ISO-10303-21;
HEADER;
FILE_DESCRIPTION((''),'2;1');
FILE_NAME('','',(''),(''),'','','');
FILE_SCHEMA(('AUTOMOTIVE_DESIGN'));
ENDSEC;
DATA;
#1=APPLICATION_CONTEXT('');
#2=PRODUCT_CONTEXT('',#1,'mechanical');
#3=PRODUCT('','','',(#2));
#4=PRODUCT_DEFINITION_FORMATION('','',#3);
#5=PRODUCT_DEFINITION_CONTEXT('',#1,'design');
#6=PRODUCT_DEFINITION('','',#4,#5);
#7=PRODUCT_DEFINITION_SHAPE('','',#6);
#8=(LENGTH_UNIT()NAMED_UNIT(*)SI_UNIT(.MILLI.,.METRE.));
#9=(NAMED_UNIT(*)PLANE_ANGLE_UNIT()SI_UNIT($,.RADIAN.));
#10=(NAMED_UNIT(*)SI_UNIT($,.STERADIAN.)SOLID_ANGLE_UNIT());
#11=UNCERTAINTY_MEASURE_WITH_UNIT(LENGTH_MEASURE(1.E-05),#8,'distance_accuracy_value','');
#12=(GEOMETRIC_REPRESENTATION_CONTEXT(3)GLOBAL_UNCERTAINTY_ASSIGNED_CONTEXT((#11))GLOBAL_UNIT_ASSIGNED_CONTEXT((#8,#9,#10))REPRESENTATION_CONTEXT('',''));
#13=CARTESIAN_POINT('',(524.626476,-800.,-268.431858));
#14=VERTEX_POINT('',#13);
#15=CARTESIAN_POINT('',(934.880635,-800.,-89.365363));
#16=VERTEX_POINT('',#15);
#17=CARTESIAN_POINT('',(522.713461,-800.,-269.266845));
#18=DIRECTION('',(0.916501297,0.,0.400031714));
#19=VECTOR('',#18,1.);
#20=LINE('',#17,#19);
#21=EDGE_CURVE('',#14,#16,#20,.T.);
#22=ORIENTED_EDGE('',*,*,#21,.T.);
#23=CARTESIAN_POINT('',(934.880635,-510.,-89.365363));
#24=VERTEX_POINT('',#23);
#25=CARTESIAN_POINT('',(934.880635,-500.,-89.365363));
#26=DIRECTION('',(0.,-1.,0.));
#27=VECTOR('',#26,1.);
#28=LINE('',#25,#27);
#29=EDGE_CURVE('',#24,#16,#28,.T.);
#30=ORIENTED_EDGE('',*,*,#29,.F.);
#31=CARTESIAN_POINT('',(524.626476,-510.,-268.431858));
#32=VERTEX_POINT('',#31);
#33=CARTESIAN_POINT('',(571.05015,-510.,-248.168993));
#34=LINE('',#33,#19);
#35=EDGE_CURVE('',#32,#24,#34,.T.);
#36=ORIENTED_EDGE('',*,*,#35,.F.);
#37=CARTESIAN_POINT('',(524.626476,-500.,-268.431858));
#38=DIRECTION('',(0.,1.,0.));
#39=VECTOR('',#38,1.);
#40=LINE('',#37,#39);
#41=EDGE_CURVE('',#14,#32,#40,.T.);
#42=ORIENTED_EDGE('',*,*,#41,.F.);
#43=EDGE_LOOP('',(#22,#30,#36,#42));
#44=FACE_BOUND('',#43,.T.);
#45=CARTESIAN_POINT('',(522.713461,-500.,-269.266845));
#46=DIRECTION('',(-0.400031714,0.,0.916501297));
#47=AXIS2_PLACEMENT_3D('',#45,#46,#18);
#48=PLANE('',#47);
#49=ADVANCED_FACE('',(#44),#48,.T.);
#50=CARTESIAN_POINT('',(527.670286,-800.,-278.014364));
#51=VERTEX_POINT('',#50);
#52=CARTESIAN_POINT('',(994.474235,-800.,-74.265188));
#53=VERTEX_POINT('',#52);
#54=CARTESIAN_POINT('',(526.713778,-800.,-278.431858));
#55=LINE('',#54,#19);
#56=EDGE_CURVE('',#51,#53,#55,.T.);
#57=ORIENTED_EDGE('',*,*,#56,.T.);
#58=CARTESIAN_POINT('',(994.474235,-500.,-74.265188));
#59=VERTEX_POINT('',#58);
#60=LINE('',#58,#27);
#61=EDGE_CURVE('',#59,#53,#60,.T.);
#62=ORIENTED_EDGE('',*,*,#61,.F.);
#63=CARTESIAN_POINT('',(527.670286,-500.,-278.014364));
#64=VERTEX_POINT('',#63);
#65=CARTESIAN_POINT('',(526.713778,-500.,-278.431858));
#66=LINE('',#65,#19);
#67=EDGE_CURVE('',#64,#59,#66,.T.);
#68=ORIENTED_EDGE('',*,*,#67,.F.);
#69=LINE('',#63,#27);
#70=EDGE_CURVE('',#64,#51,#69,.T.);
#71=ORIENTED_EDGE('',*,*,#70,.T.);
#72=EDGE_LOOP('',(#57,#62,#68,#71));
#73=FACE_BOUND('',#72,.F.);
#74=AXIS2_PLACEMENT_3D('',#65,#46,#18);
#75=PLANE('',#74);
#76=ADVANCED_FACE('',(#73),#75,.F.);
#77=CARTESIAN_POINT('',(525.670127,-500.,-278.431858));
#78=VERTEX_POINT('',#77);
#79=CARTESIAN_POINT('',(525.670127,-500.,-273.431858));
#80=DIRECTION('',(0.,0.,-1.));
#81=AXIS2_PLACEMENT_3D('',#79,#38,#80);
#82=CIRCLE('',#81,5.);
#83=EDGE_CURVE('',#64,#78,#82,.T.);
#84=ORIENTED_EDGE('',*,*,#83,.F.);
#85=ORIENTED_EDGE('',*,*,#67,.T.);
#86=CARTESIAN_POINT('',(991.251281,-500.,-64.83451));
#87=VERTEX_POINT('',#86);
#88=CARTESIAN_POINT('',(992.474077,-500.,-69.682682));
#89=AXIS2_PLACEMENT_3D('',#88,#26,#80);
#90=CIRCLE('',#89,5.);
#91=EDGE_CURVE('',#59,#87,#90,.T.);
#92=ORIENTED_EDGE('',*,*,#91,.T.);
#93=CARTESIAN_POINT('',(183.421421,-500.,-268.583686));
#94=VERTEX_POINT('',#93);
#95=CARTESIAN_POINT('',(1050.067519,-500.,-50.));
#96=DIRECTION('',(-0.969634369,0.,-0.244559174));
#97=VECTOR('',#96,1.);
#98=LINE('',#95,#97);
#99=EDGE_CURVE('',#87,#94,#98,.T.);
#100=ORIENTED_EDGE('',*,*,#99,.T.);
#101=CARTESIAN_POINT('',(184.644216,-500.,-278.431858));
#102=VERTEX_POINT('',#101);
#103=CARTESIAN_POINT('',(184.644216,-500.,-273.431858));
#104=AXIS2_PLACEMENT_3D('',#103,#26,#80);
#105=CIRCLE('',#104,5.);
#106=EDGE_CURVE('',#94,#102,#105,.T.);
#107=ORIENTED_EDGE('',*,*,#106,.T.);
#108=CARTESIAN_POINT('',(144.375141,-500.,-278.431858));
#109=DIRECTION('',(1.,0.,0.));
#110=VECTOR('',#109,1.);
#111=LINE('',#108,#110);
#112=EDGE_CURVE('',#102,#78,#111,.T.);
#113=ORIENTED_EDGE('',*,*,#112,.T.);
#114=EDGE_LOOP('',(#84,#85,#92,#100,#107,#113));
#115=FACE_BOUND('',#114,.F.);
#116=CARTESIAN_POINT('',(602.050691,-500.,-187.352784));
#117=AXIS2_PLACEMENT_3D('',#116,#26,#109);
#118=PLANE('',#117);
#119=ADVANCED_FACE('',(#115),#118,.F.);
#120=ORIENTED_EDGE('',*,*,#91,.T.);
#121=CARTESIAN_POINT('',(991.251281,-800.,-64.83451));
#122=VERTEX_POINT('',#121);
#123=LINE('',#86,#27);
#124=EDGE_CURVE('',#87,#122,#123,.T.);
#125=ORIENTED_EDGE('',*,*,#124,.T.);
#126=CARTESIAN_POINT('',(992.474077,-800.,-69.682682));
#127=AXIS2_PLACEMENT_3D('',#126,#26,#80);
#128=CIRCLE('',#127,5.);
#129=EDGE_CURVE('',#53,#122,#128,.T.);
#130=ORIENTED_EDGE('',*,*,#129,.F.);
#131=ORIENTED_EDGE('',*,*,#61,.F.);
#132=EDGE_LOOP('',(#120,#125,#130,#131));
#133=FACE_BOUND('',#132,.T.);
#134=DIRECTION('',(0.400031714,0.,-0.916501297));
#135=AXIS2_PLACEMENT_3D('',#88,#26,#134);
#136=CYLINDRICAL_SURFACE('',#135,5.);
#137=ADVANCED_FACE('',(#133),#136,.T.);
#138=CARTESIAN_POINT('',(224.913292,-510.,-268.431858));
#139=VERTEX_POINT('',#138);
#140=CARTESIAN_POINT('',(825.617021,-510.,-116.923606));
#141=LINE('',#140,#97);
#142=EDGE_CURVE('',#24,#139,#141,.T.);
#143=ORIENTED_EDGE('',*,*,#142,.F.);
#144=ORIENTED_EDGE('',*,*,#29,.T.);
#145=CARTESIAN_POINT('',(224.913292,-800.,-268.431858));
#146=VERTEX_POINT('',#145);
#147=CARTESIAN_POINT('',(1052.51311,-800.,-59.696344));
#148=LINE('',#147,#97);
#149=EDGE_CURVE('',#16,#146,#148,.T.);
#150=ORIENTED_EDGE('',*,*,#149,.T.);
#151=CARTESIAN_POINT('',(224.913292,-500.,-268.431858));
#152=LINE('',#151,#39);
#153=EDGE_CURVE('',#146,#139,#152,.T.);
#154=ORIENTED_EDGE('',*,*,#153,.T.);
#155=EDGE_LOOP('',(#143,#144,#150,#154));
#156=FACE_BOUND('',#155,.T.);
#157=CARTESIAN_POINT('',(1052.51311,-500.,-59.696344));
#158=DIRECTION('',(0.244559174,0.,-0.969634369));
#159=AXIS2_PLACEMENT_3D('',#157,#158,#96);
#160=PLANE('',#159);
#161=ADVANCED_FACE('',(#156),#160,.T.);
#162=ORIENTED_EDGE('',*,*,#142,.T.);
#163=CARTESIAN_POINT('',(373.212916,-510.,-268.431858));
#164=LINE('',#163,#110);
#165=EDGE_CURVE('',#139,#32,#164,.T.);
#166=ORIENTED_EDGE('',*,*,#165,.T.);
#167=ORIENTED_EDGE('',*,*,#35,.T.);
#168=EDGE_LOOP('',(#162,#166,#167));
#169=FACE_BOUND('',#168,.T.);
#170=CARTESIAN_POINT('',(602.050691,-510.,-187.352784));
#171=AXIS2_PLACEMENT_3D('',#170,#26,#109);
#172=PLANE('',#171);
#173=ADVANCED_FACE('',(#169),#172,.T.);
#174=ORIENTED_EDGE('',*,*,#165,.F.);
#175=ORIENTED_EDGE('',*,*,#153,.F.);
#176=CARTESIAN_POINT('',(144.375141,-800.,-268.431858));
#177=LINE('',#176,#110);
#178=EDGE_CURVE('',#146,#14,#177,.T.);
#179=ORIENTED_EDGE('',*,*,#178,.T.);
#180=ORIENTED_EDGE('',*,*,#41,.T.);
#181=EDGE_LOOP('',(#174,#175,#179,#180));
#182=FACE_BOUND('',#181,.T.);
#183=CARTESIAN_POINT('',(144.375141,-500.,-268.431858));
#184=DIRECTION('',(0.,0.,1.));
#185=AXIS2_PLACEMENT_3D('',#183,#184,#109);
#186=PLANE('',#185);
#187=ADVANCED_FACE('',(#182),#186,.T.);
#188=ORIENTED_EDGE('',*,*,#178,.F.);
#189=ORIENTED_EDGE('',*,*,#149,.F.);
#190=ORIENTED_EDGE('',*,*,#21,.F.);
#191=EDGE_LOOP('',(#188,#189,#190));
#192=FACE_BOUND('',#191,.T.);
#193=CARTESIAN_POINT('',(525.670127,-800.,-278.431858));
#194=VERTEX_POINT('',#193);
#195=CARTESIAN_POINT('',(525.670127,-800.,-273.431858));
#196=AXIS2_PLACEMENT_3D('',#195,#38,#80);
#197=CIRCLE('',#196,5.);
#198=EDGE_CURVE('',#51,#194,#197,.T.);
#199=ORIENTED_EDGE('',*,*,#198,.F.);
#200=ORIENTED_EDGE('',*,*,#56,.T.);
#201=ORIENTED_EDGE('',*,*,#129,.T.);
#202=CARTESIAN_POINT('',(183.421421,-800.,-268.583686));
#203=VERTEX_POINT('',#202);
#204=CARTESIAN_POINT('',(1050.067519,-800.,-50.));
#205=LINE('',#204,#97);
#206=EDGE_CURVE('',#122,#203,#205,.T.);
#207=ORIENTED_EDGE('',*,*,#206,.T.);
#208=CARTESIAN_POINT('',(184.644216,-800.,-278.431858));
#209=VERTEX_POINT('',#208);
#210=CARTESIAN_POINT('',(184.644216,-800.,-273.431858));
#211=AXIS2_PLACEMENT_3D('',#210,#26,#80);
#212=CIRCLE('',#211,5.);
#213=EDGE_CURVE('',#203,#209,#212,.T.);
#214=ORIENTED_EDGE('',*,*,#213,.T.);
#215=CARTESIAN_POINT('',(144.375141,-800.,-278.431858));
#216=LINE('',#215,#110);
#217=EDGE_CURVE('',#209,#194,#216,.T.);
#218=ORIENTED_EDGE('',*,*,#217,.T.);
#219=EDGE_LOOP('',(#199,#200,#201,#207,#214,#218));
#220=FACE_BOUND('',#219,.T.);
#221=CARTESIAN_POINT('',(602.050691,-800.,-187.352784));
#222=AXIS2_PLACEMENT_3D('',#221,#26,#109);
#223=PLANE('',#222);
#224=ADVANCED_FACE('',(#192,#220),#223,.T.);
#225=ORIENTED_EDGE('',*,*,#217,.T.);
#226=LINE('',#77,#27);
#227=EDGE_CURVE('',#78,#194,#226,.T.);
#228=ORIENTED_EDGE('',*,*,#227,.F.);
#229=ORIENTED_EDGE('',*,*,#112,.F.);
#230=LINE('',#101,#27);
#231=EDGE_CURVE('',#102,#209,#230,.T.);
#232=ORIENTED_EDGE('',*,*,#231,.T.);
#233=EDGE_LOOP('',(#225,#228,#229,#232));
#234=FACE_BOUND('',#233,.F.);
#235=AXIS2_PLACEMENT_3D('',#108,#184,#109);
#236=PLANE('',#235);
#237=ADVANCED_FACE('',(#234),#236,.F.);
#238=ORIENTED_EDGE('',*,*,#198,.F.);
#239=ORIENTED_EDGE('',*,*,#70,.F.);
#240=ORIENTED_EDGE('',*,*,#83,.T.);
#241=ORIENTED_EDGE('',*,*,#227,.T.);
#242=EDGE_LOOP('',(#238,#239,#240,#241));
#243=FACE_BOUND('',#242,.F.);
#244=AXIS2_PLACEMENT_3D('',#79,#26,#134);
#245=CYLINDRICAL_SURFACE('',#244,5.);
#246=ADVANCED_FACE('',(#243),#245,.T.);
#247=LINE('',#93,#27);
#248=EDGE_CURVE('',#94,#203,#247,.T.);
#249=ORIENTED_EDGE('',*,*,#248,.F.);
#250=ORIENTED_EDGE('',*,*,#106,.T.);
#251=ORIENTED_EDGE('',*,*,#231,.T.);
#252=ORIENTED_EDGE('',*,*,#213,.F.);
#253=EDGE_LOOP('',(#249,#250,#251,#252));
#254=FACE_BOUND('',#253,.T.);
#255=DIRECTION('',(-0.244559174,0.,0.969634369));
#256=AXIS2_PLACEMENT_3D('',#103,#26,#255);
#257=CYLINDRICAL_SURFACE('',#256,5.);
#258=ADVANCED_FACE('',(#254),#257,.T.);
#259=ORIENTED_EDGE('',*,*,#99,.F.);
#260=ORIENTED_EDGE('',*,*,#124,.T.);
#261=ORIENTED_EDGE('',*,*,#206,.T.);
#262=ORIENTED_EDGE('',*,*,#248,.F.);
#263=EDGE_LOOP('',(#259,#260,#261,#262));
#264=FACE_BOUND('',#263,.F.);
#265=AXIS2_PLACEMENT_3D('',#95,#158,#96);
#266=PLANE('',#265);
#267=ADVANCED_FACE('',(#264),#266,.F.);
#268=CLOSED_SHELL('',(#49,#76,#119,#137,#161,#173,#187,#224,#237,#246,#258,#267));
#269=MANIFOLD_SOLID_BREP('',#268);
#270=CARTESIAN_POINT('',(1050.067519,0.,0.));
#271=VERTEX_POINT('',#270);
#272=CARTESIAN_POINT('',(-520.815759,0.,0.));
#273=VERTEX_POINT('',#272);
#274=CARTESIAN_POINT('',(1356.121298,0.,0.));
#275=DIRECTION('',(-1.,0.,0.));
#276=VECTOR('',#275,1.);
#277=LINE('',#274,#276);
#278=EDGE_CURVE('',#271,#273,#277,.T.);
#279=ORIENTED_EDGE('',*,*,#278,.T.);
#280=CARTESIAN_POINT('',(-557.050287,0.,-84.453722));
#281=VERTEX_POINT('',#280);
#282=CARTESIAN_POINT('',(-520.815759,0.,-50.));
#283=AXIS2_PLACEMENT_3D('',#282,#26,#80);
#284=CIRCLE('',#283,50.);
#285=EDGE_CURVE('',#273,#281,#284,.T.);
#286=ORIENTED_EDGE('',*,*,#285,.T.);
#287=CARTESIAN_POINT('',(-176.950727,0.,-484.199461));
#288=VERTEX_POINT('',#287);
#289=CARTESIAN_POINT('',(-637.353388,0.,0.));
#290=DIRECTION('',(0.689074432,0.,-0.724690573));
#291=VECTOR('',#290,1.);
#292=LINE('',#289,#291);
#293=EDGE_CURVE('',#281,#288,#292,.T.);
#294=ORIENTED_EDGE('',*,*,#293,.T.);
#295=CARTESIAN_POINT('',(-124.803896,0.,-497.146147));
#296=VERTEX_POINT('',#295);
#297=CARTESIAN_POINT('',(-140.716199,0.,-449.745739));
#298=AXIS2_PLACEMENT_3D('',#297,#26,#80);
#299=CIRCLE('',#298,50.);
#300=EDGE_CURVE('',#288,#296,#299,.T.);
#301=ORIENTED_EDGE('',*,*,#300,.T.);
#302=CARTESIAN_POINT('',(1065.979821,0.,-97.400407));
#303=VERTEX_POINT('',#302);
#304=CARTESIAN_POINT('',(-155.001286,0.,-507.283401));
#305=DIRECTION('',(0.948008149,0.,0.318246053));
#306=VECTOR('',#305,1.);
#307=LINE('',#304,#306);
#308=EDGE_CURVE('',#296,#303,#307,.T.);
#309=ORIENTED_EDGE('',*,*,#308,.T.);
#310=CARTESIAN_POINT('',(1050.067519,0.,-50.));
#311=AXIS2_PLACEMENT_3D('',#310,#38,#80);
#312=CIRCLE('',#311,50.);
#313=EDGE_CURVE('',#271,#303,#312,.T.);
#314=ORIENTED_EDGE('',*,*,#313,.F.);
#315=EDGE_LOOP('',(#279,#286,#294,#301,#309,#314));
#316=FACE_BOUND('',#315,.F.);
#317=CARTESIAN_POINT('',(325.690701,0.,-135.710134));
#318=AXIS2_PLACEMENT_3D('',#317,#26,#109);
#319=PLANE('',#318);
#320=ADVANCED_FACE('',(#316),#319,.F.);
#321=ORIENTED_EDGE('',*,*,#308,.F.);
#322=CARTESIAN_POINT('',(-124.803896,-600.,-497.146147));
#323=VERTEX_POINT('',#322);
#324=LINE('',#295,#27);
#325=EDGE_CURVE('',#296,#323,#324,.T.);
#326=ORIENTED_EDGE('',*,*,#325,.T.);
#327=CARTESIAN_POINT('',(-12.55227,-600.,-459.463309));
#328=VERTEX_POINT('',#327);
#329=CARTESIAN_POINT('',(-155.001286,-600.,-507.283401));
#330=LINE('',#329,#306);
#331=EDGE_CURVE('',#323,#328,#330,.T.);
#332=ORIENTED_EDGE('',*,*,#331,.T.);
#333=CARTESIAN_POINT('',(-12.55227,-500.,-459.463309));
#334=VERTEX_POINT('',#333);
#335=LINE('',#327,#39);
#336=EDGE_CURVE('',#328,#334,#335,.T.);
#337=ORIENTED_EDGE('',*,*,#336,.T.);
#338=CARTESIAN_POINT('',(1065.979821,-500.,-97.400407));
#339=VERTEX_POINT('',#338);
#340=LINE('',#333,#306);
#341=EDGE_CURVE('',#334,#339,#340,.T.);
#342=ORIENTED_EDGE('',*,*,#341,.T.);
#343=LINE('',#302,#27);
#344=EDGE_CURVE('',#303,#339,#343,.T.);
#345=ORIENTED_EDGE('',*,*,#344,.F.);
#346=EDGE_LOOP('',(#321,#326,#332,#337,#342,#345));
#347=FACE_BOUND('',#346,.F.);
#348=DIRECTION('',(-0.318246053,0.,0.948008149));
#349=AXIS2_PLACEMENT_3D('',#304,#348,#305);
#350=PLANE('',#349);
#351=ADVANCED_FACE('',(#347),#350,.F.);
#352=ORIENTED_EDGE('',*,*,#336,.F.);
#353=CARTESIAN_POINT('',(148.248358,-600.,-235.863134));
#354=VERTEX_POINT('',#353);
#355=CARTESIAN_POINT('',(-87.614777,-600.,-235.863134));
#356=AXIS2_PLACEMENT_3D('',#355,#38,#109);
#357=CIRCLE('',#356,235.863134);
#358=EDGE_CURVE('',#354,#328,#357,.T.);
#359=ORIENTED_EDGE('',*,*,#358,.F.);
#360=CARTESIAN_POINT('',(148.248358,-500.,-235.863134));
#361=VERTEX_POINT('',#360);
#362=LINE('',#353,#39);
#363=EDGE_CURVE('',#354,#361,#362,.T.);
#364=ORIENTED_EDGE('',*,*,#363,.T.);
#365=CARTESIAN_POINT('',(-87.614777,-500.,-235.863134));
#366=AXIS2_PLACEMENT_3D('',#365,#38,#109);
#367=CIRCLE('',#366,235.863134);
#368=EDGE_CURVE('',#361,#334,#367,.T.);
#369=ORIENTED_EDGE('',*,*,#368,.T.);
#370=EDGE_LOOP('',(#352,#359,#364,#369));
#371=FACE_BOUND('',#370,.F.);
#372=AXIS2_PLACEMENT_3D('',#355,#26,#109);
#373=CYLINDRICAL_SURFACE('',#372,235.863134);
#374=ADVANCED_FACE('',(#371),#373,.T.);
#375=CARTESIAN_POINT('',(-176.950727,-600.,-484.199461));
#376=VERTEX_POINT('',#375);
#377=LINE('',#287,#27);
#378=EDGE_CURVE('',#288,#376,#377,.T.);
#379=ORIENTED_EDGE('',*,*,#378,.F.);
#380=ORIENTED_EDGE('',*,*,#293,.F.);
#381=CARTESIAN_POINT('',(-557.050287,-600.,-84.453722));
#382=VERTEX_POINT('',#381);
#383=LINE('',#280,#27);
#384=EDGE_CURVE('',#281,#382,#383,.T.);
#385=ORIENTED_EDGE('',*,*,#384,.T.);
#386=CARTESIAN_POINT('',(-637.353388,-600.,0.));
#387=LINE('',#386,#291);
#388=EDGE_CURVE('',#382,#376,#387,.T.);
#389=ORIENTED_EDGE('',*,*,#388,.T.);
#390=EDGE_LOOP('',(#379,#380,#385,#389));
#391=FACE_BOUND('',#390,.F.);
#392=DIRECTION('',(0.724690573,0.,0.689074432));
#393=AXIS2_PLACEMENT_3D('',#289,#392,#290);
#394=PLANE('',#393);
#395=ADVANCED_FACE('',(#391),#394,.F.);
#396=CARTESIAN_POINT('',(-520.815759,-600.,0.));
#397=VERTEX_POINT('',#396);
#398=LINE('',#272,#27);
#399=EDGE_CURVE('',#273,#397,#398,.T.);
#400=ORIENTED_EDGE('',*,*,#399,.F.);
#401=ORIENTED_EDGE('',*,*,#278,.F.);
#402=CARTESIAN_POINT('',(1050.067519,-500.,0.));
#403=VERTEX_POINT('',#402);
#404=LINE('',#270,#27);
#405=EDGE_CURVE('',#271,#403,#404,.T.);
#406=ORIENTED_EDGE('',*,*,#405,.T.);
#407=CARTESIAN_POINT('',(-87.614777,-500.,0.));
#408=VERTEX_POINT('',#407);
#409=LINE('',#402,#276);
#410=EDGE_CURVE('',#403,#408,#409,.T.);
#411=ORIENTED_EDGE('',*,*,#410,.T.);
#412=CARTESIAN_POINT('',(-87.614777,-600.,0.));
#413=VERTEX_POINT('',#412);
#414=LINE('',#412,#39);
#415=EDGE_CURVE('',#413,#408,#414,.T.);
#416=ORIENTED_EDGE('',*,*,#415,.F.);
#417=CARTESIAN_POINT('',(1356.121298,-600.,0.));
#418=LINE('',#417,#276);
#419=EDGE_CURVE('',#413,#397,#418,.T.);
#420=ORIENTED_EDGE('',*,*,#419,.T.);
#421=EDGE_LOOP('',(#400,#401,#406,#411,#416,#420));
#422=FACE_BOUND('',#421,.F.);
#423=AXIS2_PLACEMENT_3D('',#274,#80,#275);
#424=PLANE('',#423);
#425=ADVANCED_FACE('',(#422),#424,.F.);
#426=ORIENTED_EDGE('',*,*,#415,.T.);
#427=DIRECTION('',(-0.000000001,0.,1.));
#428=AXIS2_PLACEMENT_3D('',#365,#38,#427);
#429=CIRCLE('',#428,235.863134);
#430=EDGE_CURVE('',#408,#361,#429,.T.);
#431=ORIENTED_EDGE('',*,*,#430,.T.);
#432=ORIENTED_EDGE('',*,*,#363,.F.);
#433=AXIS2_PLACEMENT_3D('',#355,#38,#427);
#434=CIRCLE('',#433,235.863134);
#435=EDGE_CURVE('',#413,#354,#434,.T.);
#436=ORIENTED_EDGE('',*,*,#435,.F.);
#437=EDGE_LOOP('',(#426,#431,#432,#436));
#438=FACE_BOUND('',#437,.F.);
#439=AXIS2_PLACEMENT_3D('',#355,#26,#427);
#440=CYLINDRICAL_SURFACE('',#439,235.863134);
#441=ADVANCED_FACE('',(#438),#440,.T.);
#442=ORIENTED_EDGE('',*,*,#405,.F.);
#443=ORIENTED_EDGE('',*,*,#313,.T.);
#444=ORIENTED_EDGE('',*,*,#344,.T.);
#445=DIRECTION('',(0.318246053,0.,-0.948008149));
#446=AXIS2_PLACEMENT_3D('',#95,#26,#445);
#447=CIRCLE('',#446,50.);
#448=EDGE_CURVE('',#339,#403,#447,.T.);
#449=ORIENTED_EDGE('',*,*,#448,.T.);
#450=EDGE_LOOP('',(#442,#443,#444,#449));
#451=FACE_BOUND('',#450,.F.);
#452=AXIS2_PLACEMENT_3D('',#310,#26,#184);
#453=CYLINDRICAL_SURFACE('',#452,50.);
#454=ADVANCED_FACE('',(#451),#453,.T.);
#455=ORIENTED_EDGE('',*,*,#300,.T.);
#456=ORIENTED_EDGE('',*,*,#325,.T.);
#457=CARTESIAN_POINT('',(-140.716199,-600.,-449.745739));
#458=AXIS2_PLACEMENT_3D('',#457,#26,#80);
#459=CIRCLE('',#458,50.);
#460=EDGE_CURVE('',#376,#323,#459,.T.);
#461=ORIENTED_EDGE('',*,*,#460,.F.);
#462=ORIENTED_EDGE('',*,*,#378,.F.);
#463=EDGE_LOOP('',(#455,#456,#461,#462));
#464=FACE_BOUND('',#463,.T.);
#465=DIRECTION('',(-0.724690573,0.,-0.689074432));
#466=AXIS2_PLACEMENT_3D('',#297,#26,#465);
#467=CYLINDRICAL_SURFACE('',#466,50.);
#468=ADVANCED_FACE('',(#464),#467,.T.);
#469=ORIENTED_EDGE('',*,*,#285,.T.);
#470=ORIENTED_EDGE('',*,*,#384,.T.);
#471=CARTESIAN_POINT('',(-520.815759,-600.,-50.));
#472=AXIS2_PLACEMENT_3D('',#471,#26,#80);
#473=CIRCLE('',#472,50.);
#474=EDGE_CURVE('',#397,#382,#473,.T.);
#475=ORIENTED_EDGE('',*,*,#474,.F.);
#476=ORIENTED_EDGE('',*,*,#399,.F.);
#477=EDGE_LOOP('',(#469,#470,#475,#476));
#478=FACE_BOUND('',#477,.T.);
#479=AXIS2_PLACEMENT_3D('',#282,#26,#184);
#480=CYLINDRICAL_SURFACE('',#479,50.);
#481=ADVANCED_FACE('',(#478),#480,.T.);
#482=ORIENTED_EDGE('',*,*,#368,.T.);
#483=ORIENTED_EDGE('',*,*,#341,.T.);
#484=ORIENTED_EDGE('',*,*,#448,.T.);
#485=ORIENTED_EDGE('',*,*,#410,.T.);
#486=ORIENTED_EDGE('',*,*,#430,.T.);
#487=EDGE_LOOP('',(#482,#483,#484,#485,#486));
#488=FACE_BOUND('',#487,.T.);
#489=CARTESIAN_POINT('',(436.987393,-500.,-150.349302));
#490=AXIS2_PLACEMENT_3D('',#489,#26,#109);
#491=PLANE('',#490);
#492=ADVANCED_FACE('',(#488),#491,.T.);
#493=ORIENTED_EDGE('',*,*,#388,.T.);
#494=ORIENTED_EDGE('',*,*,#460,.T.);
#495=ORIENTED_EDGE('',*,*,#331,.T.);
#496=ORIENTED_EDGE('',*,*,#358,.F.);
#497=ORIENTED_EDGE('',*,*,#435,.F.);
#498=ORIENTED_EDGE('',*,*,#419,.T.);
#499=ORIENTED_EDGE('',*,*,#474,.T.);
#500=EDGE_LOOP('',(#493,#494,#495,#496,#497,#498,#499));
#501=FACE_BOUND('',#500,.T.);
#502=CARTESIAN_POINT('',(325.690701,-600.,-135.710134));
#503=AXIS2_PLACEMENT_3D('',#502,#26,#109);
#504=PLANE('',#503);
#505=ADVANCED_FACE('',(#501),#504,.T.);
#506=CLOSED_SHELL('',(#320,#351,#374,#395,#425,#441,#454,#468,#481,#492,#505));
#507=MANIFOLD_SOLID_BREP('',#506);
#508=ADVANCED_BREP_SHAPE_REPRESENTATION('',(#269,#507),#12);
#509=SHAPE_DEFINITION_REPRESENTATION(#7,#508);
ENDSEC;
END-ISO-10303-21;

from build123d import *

# Parameters (mm, degrees)
F1_DEPTH = 600
F2_R     = 50
F4_DEPTH = 100
F6_DEPTH = 300
F7_R     = 5
F8_T     = -10


with BuildPart() as f1:
    # F0 (on Front) → F1 (new body)
    with BuildSketch(Plane.XZ):
        Polygon((1356.1212984358, 0), (-637.3533882356, 0), (-155.0012858751, -507.2834014122), align=None)
    extrude(amount=F1_DEPTH)

    # F2
    f2_edges = [f1.edges().sort_by_distance(p)[0] for p in [
        (-155.001286, -300, -507.283401),
        (1356.121298, -300, 0),
        (-637.353388, -300, 0),
    ]]
    fillet(f2_edges, radius=F2_R)

    # F3 (on face) → F4 (cut)
    with BuildSketch(Plane.XZ.offset(600)):
        with BuildLine():
            ThreePointArc((-87.6147770705, 0), (79.1656448578, -69.0827124902), (148.2483575879, -235.8631343192))
            ThreePointArc((148.2483575879, -235.8631343192), (103.8739908829, -373.5710498814), (-12.5522699729, -459.4633092073))
            Line((-12.5522699729, -459.4633092073), (1065.979821355, -97.4004074272))
            ThreePointArc((1065.979821355, -97.4004074272), (1099.4133410746, -41.9383739655), (1050.0675187015, 0))
            Line((1050.0675187015, 0), (-87.6147770705, 0))
        make_face()
    extrude(amount=-F4_DEPTH, mode=Mode.SUBTRACT)


with BuildPart() as f6:
    # F5 (on face) → F6 (new body)
    with BuildSketch(Plane.XZ.offset(500)):
        Polygon((526.7137780926, -278.431857511), (1050.0675187015, -50), (144.3751410167, -278.431857511), align=None)
    extrude(amount=F6_DEPTH)

    # F7
    f7_edges = [f6.edges().sort_by_distance(p)[0] for p in [
        (144.375141, -650, -278.431858),
        (1050.067519, -650, -50),
        (526.713778, -650, -278.431858),
    ]]
    fillet(f7_edges, radius=F7_R)

    # F8
    f8_openings = [f6.faces().sort_by_distance(p)[0] for p in [
        (572.555984, -800, -202.870106),
    ]]
    offset(amount=F8_T, openings=f8_openings)


solid = Compound([f1.part, f6.part])
